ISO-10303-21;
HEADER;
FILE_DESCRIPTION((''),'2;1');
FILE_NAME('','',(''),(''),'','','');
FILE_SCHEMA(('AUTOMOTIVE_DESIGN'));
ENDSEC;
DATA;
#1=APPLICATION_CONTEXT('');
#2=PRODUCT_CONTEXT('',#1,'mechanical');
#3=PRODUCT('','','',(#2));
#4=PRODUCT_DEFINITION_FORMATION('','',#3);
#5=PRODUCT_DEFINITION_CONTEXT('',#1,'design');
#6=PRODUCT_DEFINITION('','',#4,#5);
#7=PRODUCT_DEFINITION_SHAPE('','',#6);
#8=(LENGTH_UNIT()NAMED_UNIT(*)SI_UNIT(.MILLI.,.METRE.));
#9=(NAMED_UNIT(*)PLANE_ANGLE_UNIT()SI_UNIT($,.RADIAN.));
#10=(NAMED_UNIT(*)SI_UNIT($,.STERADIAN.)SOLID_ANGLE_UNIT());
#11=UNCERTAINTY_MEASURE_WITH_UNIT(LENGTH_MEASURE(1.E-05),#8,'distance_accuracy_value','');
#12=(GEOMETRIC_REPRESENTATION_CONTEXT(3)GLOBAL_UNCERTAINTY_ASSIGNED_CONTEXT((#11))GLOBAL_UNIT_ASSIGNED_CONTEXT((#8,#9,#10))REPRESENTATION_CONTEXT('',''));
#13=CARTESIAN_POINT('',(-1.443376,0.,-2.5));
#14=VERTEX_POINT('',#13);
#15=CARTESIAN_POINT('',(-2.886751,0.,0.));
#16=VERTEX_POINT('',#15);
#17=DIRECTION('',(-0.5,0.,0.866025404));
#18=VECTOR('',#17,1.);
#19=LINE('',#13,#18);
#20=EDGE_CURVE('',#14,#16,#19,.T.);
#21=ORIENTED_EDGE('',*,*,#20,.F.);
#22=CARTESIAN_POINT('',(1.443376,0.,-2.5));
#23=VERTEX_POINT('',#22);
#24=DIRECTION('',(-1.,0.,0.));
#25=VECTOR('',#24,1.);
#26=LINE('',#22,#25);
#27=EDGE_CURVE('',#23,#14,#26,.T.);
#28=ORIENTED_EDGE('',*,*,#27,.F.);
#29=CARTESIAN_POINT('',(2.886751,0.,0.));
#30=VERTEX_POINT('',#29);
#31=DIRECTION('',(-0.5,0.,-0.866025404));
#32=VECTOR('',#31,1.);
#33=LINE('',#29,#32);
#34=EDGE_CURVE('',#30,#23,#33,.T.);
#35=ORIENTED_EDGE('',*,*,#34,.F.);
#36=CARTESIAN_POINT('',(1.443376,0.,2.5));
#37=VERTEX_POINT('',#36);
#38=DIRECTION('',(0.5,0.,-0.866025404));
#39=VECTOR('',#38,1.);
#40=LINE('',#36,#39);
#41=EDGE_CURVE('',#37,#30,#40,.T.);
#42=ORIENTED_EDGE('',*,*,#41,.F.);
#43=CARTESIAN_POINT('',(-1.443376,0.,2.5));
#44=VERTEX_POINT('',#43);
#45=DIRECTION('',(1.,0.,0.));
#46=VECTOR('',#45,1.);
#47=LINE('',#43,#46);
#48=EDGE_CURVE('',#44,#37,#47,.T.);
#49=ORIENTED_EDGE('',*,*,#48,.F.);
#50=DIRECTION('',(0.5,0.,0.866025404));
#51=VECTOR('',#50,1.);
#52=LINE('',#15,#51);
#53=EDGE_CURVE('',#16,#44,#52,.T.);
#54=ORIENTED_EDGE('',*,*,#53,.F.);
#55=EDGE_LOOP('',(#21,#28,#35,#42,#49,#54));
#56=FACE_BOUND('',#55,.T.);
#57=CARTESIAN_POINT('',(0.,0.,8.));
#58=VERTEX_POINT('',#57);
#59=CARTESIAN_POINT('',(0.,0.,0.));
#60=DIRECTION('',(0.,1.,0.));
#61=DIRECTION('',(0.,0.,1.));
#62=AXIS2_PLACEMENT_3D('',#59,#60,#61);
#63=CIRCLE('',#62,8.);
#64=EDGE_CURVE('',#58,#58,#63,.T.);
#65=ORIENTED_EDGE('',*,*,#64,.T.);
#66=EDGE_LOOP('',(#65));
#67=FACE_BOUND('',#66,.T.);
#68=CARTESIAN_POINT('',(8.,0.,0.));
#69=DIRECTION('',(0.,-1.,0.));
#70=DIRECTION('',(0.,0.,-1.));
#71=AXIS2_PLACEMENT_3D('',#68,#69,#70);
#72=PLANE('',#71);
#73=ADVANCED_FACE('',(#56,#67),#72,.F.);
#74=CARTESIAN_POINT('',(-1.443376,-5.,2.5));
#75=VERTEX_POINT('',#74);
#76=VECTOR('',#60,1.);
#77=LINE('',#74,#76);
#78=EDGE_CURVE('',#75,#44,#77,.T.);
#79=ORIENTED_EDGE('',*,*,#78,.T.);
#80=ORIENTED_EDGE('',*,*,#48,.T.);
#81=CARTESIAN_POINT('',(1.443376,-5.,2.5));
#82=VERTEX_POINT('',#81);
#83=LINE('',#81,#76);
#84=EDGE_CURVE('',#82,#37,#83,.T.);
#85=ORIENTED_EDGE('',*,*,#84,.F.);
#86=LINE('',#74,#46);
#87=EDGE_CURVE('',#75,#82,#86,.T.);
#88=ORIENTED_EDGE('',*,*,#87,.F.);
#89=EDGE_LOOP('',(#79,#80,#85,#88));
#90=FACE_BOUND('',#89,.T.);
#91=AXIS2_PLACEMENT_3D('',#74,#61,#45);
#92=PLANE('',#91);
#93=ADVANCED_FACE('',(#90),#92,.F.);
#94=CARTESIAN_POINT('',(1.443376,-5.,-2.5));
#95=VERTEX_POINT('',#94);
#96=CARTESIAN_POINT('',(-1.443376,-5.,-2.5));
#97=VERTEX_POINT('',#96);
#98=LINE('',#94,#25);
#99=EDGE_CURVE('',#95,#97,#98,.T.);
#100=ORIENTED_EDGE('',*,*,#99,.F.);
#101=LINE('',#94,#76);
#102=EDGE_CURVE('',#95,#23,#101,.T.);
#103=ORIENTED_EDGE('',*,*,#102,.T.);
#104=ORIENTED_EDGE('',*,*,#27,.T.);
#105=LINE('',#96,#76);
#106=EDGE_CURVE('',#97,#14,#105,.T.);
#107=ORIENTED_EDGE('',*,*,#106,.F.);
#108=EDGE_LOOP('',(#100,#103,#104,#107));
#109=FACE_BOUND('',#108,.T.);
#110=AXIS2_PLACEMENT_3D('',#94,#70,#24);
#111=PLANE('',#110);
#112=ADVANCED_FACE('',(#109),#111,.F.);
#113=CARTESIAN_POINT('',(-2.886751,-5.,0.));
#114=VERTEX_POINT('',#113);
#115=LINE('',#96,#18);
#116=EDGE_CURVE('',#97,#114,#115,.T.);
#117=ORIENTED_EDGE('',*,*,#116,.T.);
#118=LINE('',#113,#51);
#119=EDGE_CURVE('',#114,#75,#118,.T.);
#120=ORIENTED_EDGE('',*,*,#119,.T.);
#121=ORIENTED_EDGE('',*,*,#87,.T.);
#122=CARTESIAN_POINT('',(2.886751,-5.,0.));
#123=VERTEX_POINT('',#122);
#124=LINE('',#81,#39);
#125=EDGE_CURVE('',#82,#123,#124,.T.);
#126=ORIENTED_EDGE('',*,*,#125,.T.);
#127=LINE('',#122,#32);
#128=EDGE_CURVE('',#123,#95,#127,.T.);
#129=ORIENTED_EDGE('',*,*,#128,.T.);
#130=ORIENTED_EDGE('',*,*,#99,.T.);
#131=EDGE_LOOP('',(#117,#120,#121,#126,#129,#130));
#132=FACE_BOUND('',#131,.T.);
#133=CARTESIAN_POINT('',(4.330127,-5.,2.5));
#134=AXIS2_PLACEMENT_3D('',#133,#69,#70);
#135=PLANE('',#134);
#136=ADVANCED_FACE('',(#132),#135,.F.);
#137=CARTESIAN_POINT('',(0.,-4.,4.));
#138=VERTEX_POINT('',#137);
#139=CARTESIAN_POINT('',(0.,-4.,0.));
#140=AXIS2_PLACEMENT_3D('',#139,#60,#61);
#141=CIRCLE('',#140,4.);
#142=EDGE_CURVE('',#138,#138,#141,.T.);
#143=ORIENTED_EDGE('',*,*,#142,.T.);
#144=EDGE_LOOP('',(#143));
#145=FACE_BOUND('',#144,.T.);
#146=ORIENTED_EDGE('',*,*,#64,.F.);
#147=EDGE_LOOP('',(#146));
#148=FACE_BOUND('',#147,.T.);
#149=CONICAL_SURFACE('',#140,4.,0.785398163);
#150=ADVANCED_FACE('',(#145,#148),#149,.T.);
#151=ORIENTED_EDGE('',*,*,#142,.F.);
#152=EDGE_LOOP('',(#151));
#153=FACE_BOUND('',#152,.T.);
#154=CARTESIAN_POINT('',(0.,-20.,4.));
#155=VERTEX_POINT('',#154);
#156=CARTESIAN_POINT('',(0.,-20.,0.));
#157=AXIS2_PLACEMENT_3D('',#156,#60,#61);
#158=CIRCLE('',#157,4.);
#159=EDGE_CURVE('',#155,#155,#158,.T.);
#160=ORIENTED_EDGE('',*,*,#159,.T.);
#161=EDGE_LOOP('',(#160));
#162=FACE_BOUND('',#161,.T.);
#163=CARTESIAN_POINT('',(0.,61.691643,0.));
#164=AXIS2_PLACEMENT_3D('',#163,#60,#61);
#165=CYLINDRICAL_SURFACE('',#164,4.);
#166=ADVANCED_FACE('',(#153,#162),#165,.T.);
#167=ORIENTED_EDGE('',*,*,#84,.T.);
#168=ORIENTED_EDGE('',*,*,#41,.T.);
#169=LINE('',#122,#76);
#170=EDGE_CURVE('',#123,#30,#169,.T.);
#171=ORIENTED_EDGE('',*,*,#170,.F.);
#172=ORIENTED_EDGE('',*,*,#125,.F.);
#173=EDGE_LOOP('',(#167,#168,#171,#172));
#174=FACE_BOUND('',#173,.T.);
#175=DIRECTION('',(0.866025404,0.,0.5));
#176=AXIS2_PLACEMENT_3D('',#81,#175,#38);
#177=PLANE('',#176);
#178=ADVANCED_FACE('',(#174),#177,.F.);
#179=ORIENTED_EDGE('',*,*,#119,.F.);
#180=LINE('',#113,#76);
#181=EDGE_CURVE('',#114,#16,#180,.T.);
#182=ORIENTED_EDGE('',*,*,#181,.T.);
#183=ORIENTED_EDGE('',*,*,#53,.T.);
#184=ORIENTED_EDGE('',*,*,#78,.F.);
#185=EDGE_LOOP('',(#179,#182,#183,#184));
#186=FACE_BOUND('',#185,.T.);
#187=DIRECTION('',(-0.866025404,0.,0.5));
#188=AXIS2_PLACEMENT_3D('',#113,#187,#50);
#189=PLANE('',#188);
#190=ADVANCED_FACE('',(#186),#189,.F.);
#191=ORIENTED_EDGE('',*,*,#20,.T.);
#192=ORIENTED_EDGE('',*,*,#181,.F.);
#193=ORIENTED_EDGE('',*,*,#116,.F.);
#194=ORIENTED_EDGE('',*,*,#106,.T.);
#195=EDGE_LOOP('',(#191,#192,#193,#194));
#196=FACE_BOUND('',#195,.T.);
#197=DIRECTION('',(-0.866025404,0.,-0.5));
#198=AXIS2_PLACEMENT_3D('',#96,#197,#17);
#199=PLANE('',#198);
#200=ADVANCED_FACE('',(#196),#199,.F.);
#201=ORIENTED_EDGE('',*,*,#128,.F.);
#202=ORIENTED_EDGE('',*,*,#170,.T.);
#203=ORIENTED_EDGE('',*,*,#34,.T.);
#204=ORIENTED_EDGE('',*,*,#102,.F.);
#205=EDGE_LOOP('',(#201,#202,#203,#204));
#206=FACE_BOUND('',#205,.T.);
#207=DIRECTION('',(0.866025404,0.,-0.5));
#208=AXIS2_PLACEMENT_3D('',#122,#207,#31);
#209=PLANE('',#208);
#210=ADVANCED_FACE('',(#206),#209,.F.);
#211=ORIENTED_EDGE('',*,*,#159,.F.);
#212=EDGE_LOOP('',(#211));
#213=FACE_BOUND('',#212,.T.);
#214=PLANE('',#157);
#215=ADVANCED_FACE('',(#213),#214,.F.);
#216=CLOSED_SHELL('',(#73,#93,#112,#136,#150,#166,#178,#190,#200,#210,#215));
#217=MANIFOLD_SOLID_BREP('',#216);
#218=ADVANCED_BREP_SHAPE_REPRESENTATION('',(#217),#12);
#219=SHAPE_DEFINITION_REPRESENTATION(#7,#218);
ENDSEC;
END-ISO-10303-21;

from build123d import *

# Parameters (mm, degrees)
CUT_EXTRUDE1_DEPTH = 5


with BuildPart() as part:
    # Sketch1 → Revolve1 (revolve)
    with BuildSketch(Plane.XY, mode=Mode.PRIVATE) as revolve1_sk:
        Polygon((0, -20), (4, -20), (4, -4), (8, 0), (0, 0), align=None)
    revolve(revolve1_sk.sketch.rotate(Axis((0, 61.691642626, 0), (0, -1, 0)), 90), axis=Axis((0, 61.691642626, 0), (0, -1, 0)))

    # Sketch2 → Cut-Extrude1 (cut)
    with BuildSketch(Plane(origin=(0, 0, 0), x_dir=(-1, 0, 0), z_dir=(0, 1, 0))):
        Polygon((-1.443375673, -2.5), (1.443375673, -2.5), (2.886751346, 0), (1.443375673, 2.5), (-1.443375673, 2.5), (-2.886751346, 0), align=None)
    extrude(amount=-CUT_EXTRUDE1_DEPTH, mode=Mode.SUBTRACT)


solid = part.part
